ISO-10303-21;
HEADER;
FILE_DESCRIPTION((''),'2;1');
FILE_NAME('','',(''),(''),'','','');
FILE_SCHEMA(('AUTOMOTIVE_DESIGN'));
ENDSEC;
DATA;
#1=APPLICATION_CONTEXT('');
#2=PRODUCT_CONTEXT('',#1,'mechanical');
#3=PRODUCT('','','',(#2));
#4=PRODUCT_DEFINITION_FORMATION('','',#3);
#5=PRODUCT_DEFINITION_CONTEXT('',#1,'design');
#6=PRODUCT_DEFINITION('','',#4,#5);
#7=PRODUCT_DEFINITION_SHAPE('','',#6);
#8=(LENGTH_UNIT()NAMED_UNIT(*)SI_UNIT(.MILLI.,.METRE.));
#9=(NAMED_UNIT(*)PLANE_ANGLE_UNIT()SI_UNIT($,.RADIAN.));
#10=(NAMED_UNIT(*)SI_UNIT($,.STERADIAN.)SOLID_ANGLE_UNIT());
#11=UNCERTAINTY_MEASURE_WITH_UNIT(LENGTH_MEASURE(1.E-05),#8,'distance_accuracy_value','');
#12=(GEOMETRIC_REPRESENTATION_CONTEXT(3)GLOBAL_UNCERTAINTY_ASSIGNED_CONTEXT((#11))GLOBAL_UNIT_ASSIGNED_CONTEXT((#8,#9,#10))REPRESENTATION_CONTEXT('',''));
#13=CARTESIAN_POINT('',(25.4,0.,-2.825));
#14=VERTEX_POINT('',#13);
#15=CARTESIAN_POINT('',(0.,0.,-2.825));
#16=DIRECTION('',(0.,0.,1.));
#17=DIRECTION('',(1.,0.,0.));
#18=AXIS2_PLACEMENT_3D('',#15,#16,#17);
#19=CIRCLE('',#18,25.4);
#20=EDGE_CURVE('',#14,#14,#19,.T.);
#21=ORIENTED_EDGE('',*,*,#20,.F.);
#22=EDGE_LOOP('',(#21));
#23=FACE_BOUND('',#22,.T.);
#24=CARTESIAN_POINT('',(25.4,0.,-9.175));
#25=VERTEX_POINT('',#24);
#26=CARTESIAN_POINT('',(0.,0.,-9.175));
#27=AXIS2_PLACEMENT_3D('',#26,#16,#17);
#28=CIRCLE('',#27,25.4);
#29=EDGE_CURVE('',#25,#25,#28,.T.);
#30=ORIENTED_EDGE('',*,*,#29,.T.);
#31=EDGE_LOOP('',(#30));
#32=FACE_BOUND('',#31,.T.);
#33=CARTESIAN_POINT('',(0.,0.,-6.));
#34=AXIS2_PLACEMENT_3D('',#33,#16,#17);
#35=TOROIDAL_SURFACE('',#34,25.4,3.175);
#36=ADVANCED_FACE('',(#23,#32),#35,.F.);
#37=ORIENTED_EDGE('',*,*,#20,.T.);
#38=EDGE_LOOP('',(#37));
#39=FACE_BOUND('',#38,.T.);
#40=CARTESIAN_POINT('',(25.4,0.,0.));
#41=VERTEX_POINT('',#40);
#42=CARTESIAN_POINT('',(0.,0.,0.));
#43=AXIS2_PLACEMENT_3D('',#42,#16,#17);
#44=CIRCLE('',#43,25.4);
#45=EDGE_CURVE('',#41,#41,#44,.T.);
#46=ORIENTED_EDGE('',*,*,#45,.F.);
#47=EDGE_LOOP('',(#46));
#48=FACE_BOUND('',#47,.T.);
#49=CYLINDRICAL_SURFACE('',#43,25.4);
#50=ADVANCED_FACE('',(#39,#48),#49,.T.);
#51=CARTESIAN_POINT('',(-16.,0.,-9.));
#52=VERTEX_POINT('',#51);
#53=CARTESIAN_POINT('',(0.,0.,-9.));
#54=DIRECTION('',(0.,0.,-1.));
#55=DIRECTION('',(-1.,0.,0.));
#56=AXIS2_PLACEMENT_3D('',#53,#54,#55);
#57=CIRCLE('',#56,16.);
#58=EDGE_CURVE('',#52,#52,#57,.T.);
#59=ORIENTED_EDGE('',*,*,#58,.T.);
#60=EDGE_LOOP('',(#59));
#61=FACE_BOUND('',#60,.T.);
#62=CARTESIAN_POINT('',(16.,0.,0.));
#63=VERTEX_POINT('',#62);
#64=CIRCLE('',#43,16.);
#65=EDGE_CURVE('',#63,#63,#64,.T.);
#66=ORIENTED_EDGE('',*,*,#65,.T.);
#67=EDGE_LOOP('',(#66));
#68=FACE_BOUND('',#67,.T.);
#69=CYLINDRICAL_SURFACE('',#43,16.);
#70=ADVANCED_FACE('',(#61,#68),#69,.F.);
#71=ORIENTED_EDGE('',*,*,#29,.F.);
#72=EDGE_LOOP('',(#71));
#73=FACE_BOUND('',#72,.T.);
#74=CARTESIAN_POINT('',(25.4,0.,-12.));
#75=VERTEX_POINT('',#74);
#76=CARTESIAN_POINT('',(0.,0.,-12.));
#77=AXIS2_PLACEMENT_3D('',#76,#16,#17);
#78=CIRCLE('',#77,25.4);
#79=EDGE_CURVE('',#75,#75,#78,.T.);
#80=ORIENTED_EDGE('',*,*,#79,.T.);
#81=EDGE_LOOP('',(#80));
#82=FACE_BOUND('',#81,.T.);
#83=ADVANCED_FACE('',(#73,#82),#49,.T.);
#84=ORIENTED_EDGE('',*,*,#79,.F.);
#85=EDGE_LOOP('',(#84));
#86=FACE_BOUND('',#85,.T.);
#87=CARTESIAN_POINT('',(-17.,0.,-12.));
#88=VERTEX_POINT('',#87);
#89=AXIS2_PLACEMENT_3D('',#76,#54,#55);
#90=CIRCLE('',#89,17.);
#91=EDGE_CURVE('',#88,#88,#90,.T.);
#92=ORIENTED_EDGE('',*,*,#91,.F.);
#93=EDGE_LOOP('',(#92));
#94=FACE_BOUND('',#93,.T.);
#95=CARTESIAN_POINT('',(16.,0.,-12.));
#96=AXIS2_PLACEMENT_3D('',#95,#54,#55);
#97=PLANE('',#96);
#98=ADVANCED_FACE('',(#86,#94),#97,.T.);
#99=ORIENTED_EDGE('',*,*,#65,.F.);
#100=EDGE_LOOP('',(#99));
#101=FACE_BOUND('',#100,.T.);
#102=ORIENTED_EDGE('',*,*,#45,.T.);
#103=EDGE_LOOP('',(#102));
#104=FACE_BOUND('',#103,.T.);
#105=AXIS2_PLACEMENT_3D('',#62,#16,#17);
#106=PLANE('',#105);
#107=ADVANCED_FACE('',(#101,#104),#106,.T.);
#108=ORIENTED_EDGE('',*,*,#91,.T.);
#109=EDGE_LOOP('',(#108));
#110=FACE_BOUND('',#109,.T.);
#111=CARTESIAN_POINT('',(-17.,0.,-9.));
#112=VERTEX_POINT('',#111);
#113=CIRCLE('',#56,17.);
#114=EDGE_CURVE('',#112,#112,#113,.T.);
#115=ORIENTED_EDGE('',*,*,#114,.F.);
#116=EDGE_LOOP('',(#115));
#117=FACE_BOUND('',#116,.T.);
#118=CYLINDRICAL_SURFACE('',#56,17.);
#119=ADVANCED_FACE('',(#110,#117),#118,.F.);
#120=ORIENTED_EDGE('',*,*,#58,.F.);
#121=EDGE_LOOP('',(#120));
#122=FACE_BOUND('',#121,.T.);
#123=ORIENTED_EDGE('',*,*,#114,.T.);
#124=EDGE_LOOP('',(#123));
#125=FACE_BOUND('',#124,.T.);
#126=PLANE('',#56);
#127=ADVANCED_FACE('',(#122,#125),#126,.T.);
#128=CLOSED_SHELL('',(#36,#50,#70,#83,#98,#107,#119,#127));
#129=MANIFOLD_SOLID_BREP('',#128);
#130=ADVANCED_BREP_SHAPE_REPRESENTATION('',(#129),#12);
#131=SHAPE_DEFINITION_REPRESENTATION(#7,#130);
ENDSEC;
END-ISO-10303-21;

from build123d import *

# Parameters (mm, degrees)
SKETCH2_R          = 17
CUT_EXTRUDE1_DEPTH = 3


with BuildPart() as part:
    # Sketch1 → Revolve1 (revolve)
    with BuildSketch(Plane(origin=(0, 0, 0), x_dir=(1, 0, 0), z_dir=(0, 1, 0))):
        with BuildLine():
            Line((16, 0), (25.4, 0))
            Line((25.4, 0), (25.4, 2.825))
            ThreePointArc((25.4, 2.825), (22.225, 6), (25.4, 9.175))
            Line((25.4, 9.175), (25.4, 12))
            Line((25.4, 12), (16, 12))
            Line((16, 12), (16, 0))
        make_face()
    revolve(axis=Axis((0, 0, 0), (0, 0, -1)))

    # Sketch2 → Cut-Extrude1 (cut)
    with BuildSketch(Plane(origin=(0, 0, -12), x_dir=(-1, 0, 0), z_dir=(0, 0, -1))):
        Circle(SKETCH2_R)
    extrude(amount=-CUT_EXTRUDE1_DEPTH, mode=Mode.SUBTRACT)


solid = part.part
